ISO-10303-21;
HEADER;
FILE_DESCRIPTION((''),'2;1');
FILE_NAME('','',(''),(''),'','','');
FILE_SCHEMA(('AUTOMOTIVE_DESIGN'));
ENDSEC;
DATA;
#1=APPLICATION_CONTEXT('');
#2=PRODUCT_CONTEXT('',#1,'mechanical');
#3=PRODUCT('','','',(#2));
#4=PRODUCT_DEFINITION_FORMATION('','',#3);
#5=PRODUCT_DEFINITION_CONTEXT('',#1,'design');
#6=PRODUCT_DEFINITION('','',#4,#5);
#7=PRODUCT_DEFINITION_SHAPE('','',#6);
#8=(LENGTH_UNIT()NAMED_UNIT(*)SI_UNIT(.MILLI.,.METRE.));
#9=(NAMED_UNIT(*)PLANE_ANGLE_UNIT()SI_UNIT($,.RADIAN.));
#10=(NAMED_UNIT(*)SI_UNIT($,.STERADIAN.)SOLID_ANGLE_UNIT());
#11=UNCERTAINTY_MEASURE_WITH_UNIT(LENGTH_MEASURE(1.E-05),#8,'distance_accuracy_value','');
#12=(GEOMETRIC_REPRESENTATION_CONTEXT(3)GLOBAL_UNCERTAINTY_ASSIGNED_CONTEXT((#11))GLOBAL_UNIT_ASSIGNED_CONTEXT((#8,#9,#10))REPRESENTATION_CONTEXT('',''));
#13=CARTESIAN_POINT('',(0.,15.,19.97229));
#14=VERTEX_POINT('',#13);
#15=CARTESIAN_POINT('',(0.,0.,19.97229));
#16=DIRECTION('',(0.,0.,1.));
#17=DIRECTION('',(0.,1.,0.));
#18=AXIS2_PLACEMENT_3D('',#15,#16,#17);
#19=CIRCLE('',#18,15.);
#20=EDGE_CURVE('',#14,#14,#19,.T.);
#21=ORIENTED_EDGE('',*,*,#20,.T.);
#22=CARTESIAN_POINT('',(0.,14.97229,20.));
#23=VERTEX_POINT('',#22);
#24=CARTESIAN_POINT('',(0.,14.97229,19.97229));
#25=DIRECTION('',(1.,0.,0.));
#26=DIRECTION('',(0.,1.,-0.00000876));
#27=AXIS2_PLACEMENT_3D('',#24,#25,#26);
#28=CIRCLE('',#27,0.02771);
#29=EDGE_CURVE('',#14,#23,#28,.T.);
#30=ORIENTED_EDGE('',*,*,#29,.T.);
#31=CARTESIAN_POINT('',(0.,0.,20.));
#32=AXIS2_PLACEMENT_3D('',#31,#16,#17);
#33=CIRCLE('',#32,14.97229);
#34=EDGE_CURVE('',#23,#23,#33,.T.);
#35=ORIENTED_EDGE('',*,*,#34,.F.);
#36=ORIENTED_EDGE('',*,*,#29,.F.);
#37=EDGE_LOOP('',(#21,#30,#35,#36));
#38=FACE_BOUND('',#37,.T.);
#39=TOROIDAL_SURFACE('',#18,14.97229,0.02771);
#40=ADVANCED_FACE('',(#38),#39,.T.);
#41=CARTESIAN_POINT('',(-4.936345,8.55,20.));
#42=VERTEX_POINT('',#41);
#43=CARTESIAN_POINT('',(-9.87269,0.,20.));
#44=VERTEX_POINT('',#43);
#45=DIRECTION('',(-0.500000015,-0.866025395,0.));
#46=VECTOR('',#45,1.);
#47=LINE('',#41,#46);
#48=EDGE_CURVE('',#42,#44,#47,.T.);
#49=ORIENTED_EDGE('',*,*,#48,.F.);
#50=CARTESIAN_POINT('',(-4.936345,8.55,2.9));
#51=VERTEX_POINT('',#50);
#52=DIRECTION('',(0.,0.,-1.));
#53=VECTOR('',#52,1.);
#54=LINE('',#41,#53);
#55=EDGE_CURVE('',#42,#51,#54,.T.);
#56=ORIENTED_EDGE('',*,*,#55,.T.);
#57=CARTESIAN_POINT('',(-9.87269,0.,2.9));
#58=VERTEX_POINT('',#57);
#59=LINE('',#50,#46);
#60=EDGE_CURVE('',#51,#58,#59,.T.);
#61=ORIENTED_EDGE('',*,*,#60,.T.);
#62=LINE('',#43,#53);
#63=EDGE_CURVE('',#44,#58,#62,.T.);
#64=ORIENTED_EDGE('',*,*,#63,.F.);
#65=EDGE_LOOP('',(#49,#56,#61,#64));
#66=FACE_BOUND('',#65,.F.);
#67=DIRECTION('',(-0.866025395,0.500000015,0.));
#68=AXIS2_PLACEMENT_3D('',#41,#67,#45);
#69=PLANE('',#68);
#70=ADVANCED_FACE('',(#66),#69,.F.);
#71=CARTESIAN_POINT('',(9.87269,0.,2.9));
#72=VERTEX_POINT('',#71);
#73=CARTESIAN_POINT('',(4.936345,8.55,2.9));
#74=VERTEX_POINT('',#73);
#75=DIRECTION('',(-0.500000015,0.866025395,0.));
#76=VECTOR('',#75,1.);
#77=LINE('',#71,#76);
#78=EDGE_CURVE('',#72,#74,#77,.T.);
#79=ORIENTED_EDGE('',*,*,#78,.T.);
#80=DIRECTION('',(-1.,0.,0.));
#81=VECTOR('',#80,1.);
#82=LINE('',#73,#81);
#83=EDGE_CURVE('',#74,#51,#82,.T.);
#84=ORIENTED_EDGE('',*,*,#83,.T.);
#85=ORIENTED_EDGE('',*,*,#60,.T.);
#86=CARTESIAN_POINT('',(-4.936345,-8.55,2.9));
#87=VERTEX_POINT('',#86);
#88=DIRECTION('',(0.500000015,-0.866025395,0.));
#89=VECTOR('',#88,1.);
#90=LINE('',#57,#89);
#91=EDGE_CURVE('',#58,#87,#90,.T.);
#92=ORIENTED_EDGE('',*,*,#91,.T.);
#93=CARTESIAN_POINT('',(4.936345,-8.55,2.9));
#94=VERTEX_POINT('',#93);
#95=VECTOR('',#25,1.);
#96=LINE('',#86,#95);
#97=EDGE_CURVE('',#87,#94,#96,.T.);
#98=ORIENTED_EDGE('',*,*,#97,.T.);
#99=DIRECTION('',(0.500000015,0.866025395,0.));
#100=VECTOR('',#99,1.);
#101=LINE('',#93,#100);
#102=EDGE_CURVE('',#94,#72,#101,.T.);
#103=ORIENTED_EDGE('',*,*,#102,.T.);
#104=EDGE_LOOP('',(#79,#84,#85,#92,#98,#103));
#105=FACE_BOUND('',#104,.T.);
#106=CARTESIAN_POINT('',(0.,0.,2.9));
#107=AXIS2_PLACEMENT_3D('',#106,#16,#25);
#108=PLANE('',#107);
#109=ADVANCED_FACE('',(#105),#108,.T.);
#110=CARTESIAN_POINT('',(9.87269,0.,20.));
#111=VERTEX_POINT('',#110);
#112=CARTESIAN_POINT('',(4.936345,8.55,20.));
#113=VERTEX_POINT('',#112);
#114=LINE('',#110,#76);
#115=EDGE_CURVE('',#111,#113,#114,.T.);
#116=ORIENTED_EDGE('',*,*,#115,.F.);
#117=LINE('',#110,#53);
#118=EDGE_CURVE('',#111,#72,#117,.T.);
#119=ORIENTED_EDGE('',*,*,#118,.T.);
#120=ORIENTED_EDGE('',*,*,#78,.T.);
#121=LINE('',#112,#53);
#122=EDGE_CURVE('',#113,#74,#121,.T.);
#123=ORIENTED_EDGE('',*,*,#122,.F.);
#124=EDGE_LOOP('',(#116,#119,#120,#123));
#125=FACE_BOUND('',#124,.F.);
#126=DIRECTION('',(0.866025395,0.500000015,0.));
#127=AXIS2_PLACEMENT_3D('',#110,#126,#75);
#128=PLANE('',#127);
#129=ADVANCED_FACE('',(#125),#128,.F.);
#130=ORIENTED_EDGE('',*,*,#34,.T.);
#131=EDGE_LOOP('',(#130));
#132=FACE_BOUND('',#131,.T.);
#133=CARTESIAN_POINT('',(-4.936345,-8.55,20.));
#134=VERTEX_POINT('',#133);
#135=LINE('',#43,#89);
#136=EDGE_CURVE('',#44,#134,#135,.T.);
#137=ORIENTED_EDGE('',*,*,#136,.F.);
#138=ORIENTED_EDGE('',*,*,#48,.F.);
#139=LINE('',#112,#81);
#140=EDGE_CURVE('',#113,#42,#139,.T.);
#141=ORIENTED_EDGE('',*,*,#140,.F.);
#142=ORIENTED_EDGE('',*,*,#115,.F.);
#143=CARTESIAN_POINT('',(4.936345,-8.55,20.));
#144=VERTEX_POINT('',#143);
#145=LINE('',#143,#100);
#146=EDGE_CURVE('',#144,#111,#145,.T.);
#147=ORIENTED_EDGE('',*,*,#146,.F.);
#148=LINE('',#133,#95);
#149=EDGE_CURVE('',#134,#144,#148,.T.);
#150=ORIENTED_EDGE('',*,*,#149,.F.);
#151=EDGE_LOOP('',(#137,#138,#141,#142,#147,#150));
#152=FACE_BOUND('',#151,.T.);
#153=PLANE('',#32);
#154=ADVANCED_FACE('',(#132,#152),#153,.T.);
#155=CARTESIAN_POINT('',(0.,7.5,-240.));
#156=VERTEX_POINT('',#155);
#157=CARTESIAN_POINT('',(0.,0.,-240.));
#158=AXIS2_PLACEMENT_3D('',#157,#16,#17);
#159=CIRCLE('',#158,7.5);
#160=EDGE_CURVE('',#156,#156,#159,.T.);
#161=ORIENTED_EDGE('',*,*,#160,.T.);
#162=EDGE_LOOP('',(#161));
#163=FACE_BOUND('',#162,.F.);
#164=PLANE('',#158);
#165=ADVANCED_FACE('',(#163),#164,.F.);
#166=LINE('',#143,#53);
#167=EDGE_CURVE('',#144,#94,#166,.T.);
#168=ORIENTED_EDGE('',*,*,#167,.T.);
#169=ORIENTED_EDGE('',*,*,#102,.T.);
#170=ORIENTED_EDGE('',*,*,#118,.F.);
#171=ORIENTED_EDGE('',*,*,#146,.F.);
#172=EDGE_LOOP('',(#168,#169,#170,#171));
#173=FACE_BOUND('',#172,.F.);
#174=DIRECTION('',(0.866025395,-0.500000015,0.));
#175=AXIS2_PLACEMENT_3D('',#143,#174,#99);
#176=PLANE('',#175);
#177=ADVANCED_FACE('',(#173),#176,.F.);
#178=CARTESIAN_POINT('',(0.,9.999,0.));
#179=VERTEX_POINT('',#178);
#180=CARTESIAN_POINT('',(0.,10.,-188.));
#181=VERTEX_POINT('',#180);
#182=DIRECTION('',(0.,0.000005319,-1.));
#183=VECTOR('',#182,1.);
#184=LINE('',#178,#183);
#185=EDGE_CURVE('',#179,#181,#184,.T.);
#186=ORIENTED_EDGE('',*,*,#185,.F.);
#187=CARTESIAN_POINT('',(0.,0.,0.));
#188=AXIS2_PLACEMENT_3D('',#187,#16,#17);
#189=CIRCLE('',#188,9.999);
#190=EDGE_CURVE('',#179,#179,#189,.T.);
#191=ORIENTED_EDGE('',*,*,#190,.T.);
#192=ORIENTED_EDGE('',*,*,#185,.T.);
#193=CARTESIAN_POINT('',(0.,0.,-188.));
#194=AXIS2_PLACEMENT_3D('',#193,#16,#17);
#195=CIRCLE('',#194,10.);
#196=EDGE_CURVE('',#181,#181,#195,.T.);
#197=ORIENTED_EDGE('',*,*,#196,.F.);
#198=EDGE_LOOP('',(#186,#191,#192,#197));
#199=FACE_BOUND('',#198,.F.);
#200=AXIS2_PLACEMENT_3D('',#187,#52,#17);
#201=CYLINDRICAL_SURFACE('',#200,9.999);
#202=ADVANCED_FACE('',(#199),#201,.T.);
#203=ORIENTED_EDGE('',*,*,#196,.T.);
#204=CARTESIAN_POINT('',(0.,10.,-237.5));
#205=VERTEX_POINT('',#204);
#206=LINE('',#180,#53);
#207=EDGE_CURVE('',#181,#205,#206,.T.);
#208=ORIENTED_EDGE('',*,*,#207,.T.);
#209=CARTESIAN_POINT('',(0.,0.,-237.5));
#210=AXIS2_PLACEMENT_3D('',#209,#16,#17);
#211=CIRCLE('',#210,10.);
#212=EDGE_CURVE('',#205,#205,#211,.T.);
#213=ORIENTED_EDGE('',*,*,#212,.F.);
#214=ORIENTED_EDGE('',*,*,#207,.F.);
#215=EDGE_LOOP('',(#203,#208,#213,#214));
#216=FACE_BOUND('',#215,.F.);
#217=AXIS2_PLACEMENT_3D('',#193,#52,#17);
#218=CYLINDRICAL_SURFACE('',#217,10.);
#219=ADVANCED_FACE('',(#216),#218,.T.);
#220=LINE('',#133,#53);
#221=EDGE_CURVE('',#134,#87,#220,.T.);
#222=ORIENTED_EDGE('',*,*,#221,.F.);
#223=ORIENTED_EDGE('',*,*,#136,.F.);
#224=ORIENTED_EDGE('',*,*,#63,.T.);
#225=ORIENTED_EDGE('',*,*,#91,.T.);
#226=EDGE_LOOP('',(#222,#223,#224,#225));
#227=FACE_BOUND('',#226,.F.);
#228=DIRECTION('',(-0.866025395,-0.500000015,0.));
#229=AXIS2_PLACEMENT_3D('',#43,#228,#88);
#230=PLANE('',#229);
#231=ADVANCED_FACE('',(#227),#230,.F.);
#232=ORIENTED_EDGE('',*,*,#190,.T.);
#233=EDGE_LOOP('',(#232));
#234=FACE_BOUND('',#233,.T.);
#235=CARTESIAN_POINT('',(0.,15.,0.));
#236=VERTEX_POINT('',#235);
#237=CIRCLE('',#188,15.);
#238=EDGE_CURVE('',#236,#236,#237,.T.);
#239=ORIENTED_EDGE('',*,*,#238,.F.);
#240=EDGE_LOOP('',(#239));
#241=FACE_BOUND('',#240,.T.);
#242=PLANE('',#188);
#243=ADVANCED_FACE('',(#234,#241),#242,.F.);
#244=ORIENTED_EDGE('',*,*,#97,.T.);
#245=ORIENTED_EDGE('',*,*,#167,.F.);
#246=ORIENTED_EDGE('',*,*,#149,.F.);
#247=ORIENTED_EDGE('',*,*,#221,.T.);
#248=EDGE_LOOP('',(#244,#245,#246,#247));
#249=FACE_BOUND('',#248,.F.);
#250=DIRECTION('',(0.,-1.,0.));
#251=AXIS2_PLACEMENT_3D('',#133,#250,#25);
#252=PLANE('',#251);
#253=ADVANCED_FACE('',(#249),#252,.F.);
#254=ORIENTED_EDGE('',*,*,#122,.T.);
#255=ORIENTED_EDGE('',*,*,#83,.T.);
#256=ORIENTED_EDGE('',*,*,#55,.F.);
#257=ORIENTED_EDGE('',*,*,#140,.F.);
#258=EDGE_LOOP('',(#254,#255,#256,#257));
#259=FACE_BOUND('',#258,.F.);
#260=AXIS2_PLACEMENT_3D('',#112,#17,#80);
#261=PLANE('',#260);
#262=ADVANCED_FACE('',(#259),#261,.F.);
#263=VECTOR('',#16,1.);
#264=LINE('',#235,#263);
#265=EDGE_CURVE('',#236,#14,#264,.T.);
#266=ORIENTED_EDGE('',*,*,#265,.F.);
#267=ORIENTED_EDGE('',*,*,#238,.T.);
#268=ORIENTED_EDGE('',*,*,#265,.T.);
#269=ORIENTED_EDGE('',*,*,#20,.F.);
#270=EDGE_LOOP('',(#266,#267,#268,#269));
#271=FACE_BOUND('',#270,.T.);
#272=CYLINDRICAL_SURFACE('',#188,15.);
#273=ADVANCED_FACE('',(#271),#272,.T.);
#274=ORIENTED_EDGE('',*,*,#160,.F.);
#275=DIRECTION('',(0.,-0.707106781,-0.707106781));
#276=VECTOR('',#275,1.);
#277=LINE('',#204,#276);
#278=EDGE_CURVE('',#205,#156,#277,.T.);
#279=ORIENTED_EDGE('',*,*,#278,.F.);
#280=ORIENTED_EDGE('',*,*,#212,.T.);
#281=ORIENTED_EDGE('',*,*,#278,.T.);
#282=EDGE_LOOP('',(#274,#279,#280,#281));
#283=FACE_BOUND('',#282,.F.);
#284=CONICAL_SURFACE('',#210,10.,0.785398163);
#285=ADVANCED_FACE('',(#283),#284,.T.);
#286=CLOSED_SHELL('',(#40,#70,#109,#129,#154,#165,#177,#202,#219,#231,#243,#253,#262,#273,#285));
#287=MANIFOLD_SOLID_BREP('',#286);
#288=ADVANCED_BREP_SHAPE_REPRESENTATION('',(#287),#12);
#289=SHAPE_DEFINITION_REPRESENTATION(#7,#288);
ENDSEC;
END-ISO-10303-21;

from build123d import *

# Parameters (mm, degrees)
POCKET_DEPTH = 17.1


with BuildPart() as part:
    # Sketch → Revolve (revolve)
    with BuildSketch(Plane.YZ):
        with BuildLine():
            Line((9.999, 0), (15, 0))
            Line((15, 0), (15, 19.97229))
            ThreePointArc((15, 19.97229), (14.991884, 19.991884), (14.97229, 20))
            Line((14.97229, 20), (0, 20))
            Line((0, -240), (0, 20))
            Line((7.5, -240), (0, -240))
            Line((10, -237.5), (7.5, -240))
            Line((10, -188), (10, -237.5))
            Line((9.999, 0), (10, -188))
        make_face()
    revolve(axis=Axis((0, 0, 0), (0, 0, 1)))

    # Sketch001 → Pocket (cut)
    with BuildSketch(Plane.XY.offset(20)):
        Polygon((9.87269, 0), (4.936345, 8.55), (-4.936345, 8.55), (-9.87269, 0), (-4.936345, -8.55), (4.936345, -8.55), align=None)
    extrude(amount=-POCKET_DEPTH, mode=Mode.SUBTRACT)


solid = part.part
